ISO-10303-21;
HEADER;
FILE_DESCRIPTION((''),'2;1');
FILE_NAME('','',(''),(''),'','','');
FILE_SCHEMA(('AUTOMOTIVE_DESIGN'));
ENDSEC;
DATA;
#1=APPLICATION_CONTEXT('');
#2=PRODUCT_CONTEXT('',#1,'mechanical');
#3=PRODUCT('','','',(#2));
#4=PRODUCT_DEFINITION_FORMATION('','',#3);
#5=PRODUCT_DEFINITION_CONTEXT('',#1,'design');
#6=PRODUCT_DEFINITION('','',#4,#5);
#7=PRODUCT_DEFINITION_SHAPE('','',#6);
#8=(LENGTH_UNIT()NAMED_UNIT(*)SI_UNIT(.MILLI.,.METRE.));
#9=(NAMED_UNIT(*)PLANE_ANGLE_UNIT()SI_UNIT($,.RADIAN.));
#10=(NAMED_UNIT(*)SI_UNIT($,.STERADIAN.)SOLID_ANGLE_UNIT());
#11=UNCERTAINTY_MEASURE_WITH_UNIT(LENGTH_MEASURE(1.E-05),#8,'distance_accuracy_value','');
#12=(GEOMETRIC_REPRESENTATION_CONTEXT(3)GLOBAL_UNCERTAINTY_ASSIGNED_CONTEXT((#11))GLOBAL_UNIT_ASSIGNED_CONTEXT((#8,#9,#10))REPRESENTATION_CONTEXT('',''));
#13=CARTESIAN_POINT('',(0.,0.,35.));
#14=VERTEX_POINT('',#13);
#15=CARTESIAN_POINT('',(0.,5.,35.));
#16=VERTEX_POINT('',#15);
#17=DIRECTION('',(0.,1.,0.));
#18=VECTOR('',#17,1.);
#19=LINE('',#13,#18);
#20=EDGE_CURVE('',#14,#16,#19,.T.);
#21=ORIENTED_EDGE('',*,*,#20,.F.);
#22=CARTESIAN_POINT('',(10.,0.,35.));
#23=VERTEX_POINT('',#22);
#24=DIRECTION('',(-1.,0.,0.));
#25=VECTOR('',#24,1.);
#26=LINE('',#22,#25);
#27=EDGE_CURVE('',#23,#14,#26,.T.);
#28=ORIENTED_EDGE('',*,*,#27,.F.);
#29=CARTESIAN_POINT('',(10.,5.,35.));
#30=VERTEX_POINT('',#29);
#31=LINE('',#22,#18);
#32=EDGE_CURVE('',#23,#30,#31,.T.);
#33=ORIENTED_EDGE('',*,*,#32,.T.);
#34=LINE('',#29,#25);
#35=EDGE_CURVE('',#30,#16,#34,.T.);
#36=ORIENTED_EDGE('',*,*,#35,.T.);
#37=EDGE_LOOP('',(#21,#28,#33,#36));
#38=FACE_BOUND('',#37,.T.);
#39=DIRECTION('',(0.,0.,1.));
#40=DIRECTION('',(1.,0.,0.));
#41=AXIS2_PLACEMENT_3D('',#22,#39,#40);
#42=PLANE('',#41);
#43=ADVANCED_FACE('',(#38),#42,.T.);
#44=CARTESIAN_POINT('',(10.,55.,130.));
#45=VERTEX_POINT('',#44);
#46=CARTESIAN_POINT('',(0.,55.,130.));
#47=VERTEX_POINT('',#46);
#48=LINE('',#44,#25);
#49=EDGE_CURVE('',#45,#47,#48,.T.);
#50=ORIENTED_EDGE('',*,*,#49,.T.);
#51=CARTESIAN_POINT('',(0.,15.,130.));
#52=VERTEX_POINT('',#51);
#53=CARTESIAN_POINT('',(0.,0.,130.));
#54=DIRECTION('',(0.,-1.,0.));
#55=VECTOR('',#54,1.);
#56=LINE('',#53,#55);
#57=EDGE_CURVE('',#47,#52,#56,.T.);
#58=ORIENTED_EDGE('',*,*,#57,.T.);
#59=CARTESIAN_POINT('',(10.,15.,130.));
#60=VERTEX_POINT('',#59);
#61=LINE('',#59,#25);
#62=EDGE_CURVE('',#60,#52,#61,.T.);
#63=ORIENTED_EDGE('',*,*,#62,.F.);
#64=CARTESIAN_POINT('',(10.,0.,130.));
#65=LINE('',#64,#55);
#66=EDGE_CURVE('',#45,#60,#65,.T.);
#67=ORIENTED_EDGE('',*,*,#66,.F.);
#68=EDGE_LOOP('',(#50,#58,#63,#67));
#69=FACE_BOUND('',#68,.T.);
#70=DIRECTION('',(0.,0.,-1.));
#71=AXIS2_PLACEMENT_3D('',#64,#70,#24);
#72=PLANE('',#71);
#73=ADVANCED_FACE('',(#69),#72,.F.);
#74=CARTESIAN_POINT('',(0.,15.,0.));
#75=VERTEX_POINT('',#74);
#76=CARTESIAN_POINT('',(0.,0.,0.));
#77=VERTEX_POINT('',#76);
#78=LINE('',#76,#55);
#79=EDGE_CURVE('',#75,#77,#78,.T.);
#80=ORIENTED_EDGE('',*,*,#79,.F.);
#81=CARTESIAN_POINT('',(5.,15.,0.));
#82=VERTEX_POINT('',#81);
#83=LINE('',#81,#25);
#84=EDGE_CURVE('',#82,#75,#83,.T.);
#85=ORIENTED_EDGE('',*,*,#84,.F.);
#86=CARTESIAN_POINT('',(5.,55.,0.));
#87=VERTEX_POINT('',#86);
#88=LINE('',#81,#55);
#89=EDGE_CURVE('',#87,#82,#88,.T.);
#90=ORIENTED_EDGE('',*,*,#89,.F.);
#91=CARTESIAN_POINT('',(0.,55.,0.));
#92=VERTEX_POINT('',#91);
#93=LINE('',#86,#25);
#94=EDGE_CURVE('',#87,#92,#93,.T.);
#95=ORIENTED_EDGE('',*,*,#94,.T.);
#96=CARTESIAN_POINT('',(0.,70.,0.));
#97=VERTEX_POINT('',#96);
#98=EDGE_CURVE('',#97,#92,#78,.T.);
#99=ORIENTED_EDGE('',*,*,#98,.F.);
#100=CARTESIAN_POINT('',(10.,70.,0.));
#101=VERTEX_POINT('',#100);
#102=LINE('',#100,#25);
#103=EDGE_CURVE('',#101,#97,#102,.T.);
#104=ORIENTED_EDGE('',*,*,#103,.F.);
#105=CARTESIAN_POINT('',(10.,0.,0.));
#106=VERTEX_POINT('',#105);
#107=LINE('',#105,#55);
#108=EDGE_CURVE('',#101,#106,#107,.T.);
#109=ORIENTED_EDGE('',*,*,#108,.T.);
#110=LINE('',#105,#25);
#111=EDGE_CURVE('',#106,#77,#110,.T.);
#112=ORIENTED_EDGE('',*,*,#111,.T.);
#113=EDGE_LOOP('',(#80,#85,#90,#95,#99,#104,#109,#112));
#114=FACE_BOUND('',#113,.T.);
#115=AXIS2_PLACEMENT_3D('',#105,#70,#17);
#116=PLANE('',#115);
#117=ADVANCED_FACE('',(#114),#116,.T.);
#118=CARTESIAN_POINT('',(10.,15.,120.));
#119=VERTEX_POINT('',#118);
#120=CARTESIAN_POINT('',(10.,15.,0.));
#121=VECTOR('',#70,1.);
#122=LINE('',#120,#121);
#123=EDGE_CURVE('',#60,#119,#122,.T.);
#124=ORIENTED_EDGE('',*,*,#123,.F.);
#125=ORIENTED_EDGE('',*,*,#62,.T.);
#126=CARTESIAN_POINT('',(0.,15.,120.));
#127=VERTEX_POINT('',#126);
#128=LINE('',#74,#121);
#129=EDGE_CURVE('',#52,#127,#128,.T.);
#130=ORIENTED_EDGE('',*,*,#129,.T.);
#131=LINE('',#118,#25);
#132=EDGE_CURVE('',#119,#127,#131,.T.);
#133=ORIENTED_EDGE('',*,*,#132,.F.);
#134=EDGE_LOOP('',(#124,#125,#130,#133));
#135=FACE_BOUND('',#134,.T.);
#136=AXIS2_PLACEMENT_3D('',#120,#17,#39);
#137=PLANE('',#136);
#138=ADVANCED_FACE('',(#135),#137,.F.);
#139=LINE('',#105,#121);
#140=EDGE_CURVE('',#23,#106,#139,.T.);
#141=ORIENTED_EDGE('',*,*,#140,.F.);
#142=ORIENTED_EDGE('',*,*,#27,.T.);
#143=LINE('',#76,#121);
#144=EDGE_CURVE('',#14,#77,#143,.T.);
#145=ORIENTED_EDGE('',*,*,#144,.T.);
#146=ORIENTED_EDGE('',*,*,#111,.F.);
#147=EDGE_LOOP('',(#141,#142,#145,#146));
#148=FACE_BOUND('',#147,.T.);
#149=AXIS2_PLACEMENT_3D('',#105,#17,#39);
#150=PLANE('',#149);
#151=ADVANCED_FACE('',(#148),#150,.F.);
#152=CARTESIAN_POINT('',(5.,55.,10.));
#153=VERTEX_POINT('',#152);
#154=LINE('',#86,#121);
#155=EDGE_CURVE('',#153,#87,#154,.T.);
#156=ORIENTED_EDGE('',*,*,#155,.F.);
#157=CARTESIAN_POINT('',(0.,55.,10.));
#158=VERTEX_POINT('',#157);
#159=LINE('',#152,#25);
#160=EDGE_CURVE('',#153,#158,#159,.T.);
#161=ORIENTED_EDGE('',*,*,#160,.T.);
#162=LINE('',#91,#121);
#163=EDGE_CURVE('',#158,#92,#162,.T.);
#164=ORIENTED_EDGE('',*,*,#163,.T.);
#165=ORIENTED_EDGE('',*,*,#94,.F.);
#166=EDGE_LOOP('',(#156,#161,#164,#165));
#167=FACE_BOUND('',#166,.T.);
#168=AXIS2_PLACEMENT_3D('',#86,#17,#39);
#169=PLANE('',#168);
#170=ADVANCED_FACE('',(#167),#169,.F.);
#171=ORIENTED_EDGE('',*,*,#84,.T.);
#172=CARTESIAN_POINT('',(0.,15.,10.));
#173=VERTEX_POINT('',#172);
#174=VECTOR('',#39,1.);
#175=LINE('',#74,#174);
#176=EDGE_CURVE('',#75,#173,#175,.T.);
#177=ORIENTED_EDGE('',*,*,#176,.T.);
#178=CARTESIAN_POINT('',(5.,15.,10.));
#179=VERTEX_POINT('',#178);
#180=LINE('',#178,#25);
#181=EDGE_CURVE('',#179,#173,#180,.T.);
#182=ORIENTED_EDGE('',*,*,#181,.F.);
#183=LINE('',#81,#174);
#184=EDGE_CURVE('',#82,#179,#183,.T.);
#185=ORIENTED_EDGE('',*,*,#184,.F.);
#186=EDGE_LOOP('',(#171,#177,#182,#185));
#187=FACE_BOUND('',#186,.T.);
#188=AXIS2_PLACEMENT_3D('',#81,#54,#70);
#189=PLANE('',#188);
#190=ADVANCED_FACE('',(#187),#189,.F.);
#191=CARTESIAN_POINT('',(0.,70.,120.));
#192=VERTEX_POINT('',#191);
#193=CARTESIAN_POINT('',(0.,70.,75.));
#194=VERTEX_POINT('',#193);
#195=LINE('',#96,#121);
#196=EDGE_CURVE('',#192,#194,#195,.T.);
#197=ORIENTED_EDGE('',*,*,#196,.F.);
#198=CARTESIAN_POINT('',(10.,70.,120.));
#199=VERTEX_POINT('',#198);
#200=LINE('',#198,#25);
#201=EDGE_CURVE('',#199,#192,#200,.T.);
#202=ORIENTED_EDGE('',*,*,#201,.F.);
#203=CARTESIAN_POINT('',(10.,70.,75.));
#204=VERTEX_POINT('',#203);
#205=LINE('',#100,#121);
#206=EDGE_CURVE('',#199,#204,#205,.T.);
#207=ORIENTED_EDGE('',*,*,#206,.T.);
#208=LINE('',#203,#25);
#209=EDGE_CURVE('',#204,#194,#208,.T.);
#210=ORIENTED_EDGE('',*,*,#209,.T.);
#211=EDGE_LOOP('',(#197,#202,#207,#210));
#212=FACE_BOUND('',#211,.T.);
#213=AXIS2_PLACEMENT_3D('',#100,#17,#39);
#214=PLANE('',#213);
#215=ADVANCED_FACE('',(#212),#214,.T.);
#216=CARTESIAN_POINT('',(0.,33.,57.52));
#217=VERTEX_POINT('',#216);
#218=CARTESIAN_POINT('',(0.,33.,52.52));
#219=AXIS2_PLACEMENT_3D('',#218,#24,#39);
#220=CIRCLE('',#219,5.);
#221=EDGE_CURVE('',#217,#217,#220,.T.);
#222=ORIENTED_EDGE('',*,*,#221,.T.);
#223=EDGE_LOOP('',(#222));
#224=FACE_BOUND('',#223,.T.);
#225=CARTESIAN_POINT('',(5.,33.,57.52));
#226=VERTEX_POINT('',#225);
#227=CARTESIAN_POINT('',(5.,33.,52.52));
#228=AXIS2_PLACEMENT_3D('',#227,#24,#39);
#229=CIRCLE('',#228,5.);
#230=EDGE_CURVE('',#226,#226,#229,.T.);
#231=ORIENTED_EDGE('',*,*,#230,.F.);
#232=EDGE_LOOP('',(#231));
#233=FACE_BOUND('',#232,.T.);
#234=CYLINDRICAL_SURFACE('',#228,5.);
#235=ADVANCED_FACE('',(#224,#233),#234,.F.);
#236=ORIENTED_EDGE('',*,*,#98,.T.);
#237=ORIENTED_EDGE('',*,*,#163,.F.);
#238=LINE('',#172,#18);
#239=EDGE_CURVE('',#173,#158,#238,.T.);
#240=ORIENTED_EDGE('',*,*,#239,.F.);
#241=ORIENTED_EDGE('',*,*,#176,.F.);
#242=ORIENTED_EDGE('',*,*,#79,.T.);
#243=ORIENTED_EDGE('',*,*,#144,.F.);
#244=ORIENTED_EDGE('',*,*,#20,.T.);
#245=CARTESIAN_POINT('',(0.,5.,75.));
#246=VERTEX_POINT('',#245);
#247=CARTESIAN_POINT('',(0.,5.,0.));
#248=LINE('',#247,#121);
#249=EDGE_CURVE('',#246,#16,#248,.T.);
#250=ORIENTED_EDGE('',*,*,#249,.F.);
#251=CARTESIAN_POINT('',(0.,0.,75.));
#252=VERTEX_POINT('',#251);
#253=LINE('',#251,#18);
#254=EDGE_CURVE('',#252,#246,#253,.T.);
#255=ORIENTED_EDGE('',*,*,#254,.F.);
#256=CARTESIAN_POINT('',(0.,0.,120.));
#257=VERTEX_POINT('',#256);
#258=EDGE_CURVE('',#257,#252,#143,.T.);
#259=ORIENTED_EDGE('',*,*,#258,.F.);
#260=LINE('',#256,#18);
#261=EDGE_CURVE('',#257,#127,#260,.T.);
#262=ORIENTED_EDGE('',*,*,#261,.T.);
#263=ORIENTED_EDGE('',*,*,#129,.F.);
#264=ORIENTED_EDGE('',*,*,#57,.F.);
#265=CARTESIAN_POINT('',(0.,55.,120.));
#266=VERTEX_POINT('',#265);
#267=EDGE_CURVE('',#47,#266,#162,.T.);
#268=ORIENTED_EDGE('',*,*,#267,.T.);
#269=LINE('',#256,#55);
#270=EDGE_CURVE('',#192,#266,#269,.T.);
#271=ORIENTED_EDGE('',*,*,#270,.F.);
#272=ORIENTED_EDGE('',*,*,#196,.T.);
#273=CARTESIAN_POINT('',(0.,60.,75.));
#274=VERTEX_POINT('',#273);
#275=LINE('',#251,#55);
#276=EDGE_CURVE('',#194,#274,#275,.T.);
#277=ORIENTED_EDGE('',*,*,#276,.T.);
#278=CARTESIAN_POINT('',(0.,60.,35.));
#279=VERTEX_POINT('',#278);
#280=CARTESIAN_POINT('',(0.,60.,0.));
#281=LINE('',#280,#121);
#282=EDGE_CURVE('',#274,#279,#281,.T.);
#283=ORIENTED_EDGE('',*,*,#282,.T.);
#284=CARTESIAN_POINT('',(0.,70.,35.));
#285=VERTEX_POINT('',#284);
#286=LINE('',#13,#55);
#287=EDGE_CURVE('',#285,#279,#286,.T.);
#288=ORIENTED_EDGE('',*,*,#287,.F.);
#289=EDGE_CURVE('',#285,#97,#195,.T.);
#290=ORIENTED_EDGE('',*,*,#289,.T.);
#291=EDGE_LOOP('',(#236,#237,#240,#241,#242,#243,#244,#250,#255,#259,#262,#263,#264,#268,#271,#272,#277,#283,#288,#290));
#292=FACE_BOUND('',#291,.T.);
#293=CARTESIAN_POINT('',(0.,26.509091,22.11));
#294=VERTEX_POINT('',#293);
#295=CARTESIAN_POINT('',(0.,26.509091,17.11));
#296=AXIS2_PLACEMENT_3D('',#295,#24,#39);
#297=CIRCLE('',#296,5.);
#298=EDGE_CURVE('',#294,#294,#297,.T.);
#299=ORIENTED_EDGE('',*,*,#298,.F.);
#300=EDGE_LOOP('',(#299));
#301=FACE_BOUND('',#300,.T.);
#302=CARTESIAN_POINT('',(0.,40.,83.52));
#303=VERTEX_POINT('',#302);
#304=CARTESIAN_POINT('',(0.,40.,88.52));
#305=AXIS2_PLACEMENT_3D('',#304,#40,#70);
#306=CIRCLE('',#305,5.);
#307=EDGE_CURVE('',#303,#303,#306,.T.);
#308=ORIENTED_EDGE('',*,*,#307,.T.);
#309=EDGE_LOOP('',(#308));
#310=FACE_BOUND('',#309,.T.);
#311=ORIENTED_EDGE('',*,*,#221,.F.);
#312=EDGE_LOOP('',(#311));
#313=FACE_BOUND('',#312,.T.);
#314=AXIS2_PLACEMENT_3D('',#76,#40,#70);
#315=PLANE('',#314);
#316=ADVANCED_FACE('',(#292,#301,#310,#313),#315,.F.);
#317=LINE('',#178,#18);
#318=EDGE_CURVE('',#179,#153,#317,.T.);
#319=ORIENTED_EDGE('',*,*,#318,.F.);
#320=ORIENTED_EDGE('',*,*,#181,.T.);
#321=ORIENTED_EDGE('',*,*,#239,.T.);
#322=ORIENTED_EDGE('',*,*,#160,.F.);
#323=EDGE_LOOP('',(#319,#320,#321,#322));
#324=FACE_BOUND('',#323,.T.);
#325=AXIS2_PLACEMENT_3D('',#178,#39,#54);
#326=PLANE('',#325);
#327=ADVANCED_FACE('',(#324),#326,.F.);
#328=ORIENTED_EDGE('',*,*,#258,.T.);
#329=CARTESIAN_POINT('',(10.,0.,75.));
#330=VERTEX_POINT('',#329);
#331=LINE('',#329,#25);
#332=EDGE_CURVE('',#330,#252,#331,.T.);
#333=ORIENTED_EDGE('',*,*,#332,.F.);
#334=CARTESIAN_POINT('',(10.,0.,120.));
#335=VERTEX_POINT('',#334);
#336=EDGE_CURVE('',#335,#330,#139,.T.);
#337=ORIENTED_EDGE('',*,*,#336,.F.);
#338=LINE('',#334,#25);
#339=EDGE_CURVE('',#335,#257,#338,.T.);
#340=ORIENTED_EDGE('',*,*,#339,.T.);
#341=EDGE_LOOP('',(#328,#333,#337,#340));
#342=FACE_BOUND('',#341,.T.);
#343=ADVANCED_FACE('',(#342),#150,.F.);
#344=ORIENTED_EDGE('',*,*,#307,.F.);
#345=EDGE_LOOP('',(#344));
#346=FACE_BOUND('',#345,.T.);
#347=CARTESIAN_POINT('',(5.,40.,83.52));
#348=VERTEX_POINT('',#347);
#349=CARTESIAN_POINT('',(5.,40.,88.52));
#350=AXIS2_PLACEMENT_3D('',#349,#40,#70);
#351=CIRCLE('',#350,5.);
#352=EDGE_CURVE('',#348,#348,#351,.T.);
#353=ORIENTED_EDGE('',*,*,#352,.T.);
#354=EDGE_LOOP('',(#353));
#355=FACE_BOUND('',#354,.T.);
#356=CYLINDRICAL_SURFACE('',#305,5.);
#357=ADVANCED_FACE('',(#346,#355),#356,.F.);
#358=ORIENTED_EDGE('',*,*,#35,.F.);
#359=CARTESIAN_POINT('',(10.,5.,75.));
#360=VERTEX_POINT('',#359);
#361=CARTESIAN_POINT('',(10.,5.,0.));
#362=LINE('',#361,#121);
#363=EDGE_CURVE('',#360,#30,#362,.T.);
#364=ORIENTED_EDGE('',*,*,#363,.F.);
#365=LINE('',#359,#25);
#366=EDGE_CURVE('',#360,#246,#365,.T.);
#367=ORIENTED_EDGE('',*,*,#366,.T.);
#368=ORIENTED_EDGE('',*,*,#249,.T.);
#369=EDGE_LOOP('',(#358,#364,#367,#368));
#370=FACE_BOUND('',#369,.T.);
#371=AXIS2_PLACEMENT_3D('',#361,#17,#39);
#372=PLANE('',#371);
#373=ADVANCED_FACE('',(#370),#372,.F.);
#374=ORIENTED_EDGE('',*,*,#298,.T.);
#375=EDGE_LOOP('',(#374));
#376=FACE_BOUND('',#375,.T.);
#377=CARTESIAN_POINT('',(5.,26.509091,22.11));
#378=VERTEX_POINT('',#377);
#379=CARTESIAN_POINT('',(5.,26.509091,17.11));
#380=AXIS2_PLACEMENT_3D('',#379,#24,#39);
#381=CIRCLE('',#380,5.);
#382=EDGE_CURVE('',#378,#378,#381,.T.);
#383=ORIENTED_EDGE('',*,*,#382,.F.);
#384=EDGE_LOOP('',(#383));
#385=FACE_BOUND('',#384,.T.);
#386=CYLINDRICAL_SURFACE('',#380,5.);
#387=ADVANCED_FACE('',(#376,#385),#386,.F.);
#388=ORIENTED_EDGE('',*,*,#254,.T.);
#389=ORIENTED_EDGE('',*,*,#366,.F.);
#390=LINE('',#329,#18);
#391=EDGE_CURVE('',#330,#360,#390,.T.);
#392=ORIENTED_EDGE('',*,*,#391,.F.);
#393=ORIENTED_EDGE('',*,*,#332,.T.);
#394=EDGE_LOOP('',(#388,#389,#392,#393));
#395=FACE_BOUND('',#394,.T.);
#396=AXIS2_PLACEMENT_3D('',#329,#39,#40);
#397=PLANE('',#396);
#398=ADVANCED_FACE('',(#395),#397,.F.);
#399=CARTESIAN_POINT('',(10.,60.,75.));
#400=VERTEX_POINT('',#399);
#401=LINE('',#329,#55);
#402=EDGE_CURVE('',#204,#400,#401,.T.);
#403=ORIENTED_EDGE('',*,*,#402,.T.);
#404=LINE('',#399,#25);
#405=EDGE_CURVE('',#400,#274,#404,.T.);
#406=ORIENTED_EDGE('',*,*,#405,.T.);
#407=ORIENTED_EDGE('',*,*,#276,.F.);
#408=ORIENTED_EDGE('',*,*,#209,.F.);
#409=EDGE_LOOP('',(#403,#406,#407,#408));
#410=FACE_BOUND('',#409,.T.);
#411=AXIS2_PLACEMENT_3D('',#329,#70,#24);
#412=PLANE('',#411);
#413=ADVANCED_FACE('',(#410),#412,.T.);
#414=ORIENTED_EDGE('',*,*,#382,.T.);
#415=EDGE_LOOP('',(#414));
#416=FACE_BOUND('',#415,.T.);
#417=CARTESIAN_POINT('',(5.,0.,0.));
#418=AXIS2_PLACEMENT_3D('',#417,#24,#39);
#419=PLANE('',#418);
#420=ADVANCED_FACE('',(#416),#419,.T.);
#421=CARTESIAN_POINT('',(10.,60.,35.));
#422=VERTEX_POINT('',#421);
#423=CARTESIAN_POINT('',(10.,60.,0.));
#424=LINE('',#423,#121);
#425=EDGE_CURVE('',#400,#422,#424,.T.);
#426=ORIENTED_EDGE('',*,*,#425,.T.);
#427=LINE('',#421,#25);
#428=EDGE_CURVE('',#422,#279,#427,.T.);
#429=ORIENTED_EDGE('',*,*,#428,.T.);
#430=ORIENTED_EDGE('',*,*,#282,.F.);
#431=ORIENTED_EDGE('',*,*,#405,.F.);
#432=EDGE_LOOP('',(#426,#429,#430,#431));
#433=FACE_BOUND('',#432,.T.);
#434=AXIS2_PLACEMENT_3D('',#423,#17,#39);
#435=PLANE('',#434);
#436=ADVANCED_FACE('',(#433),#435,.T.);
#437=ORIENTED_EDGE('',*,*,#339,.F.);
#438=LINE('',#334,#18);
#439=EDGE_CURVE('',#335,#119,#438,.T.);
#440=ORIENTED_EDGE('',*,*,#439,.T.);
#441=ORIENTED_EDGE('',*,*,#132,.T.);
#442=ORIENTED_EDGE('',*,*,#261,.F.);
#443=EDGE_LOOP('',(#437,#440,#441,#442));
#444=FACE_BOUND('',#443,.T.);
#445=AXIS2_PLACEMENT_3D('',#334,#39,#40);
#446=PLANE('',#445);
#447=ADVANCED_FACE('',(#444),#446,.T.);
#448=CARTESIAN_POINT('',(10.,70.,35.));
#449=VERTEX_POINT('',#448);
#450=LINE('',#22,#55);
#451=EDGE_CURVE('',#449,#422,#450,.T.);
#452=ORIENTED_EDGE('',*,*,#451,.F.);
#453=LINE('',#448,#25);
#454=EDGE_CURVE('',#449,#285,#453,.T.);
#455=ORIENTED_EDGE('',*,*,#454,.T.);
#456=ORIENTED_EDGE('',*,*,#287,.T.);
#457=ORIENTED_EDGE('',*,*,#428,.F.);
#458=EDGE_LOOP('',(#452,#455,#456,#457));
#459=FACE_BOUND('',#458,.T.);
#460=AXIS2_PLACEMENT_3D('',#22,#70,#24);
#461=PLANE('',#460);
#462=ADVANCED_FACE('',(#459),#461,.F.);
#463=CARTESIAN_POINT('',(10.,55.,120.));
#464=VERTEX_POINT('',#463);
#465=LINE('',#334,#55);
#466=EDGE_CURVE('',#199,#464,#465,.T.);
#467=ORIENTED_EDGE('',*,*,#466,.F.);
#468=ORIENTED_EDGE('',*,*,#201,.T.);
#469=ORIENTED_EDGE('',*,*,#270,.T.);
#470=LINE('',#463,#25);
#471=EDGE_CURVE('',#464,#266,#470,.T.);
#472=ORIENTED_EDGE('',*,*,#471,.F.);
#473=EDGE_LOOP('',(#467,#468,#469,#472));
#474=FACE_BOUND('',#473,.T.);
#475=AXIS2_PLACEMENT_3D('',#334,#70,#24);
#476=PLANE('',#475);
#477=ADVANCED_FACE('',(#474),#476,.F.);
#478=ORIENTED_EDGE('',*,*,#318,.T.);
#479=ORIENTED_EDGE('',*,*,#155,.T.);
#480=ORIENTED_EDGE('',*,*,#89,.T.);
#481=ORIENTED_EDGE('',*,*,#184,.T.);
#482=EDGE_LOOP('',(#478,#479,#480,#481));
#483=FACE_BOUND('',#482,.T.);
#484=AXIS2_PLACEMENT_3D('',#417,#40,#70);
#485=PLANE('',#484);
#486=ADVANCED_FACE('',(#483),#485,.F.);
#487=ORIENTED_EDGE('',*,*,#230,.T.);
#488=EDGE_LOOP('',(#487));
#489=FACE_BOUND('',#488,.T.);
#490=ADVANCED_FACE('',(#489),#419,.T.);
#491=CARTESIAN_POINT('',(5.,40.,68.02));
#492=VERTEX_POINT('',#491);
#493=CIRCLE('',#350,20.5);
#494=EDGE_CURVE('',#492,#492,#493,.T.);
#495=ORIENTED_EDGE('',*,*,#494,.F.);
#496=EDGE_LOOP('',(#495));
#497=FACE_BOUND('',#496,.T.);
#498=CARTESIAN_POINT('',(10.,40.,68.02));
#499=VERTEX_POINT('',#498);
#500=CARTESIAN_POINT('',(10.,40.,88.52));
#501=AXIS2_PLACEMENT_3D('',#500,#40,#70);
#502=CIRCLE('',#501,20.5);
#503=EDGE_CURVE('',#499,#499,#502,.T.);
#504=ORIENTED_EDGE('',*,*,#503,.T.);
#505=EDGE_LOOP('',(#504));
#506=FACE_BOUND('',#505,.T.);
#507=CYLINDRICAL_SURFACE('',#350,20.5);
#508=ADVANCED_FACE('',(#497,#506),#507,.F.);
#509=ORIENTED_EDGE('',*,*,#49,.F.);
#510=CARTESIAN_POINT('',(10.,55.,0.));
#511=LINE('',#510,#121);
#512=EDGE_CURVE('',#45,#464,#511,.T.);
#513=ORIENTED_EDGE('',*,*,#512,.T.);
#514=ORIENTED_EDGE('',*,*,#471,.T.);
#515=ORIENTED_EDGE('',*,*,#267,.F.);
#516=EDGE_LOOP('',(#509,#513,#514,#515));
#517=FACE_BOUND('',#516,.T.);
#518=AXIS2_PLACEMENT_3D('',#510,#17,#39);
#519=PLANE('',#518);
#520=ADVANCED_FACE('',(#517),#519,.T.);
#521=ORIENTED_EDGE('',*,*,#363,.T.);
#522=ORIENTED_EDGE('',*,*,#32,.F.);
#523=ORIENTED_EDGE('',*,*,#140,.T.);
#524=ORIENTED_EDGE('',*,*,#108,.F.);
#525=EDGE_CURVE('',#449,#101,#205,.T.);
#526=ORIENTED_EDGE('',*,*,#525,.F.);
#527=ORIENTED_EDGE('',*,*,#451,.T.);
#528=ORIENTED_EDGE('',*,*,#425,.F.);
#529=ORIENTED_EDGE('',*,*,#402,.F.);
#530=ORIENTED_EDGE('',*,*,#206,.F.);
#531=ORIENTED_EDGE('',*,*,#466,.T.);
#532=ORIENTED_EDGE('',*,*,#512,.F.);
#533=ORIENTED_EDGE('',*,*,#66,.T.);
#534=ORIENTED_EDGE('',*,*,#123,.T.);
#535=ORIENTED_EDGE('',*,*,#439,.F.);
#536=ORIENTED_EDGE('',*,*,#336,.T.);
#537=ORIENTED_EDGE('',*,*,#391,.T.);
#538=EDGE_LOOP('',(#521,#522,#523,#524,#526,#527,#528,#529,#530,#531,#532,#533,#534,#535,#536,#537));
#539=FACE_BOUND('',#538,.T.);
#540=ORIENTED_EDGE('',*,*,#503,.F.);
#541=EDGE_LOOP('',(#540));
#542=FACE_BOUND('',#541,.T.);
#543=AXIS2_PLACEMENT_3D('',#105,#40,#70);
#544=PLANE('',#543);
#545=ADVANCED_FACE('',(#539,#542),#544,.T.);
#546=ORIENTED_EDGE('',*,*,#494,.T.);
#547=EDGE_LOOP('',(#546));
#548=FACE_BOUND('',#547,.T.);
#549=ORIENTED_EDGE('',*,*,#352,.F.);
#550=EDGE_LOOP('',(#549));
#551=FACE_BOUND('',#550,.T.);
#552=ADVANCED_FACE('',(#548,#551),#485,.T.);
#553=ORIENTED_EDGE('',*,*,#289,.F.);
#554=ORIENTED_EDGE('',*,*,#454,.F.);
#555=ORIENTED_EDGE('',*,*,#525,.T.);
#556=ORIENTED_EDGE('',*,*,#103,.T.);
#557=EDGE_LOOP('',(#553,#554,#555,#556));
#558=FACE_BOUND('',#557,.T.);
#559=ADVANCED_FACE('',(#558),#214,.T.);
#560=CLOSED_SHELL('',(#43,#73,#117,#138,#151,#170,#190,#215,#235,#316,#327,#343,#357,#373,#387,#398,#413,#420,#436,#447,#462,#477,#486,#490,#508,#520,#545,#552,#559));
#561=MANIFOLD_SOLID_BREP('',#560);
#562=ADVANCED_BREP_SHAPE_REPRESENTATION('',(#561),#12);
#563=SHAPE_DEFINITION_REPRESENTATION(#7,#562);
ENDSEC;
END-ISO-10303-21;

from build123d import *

# Parameters (mm, degrees)
BOSS_EXTRUDE1_DEPTH = 10
SKETCH2_R           = 20.5
CUT_EXTRUDE1_DEPTH  = 5
SKETCH4_R           = 5
CUT_EXTRUDE3_DEPTH  = 148.732867027
SKETCH5_R           = 5
CUT_EXTRUDE4_DEPTH  = 5
SKETCH6_W           = 10
SKETCH6_H           = 40
CUT_EXTRUDE5_DEPTH  = 5


with BuildPart() as part:
    # Sketch1 → Boss-Extrude1 (new body)
    with BuildSketch(Plane(origin=(0, 0, 0), x_dir=(0, 0, -1), z_dir=(1, 0, 0))):
        Polygon((-75, 70), (-120, 70), (-120, 55), (-130, 55), (-130, 15), (-120, 15), (-120, 0), (-75, 0), (-75, 5), (-35, 5), (-35, 0), (-10, 0), (0, 0), (0, 15), (0, 55), (0, 70), (-10, 70), (-35, 70), (-35, 60), (-75, 60), align=None)
    extrude(amount=BOSS_EXTRUDE1_DEPTH)

    # Sketch2 → Cut-Extrude1 (cut)
    with BuildSketch(Plane(origin=(10, 0, 0), x_dir=(0, 0, -1), z_dir=(1, 0, 0))):
        with Locations((-88.52, 40)):
            Circle(SKETCH2_R)
    extrude(amount=-CUT_EXTRUDE1_DEPTH, mode=Mode.SUBTRACT)

    # Sketch4 → Cut-Extrude3 (cut, through all)
    with BuildSketch(Plane(origin=(5, 0, 0), x_dir=(0, 0, -1), z_dir=(1, 0, 0))):
        with Locations((-88.52, 40)):
            Circle(SKETCH4_R)
    extrude(amount=-CUT_EXTRUDE3_DEPTH, mode=Mode.SUBTRACT)

    # Sketch5 → Cut-Extrude4 (cut)
    with BuildSketch(Plane.ZY):
        with Locations((17.11, 26.509090973)):
            Circle(SKETCH5_R)
        with Locations((52.52, 33)):
            Circle(SKETCH5_R)
    extrude(amount=-CUT_EXTRUDE4_DEPTH, mode=Mode.SUBTRACT)

    # Sketch6 → Cut-Extrude5 (cut)
    with BuildSketch(Plane.ZY):
        with Locations((5, 35)):
            Rectangle(SKETCH6_W, SKETCH6_H)
    extrude(amount=-CUT_EXTRUDE5_DEPTH, mode=Mode.SUBTRACT)


solid = part.part
